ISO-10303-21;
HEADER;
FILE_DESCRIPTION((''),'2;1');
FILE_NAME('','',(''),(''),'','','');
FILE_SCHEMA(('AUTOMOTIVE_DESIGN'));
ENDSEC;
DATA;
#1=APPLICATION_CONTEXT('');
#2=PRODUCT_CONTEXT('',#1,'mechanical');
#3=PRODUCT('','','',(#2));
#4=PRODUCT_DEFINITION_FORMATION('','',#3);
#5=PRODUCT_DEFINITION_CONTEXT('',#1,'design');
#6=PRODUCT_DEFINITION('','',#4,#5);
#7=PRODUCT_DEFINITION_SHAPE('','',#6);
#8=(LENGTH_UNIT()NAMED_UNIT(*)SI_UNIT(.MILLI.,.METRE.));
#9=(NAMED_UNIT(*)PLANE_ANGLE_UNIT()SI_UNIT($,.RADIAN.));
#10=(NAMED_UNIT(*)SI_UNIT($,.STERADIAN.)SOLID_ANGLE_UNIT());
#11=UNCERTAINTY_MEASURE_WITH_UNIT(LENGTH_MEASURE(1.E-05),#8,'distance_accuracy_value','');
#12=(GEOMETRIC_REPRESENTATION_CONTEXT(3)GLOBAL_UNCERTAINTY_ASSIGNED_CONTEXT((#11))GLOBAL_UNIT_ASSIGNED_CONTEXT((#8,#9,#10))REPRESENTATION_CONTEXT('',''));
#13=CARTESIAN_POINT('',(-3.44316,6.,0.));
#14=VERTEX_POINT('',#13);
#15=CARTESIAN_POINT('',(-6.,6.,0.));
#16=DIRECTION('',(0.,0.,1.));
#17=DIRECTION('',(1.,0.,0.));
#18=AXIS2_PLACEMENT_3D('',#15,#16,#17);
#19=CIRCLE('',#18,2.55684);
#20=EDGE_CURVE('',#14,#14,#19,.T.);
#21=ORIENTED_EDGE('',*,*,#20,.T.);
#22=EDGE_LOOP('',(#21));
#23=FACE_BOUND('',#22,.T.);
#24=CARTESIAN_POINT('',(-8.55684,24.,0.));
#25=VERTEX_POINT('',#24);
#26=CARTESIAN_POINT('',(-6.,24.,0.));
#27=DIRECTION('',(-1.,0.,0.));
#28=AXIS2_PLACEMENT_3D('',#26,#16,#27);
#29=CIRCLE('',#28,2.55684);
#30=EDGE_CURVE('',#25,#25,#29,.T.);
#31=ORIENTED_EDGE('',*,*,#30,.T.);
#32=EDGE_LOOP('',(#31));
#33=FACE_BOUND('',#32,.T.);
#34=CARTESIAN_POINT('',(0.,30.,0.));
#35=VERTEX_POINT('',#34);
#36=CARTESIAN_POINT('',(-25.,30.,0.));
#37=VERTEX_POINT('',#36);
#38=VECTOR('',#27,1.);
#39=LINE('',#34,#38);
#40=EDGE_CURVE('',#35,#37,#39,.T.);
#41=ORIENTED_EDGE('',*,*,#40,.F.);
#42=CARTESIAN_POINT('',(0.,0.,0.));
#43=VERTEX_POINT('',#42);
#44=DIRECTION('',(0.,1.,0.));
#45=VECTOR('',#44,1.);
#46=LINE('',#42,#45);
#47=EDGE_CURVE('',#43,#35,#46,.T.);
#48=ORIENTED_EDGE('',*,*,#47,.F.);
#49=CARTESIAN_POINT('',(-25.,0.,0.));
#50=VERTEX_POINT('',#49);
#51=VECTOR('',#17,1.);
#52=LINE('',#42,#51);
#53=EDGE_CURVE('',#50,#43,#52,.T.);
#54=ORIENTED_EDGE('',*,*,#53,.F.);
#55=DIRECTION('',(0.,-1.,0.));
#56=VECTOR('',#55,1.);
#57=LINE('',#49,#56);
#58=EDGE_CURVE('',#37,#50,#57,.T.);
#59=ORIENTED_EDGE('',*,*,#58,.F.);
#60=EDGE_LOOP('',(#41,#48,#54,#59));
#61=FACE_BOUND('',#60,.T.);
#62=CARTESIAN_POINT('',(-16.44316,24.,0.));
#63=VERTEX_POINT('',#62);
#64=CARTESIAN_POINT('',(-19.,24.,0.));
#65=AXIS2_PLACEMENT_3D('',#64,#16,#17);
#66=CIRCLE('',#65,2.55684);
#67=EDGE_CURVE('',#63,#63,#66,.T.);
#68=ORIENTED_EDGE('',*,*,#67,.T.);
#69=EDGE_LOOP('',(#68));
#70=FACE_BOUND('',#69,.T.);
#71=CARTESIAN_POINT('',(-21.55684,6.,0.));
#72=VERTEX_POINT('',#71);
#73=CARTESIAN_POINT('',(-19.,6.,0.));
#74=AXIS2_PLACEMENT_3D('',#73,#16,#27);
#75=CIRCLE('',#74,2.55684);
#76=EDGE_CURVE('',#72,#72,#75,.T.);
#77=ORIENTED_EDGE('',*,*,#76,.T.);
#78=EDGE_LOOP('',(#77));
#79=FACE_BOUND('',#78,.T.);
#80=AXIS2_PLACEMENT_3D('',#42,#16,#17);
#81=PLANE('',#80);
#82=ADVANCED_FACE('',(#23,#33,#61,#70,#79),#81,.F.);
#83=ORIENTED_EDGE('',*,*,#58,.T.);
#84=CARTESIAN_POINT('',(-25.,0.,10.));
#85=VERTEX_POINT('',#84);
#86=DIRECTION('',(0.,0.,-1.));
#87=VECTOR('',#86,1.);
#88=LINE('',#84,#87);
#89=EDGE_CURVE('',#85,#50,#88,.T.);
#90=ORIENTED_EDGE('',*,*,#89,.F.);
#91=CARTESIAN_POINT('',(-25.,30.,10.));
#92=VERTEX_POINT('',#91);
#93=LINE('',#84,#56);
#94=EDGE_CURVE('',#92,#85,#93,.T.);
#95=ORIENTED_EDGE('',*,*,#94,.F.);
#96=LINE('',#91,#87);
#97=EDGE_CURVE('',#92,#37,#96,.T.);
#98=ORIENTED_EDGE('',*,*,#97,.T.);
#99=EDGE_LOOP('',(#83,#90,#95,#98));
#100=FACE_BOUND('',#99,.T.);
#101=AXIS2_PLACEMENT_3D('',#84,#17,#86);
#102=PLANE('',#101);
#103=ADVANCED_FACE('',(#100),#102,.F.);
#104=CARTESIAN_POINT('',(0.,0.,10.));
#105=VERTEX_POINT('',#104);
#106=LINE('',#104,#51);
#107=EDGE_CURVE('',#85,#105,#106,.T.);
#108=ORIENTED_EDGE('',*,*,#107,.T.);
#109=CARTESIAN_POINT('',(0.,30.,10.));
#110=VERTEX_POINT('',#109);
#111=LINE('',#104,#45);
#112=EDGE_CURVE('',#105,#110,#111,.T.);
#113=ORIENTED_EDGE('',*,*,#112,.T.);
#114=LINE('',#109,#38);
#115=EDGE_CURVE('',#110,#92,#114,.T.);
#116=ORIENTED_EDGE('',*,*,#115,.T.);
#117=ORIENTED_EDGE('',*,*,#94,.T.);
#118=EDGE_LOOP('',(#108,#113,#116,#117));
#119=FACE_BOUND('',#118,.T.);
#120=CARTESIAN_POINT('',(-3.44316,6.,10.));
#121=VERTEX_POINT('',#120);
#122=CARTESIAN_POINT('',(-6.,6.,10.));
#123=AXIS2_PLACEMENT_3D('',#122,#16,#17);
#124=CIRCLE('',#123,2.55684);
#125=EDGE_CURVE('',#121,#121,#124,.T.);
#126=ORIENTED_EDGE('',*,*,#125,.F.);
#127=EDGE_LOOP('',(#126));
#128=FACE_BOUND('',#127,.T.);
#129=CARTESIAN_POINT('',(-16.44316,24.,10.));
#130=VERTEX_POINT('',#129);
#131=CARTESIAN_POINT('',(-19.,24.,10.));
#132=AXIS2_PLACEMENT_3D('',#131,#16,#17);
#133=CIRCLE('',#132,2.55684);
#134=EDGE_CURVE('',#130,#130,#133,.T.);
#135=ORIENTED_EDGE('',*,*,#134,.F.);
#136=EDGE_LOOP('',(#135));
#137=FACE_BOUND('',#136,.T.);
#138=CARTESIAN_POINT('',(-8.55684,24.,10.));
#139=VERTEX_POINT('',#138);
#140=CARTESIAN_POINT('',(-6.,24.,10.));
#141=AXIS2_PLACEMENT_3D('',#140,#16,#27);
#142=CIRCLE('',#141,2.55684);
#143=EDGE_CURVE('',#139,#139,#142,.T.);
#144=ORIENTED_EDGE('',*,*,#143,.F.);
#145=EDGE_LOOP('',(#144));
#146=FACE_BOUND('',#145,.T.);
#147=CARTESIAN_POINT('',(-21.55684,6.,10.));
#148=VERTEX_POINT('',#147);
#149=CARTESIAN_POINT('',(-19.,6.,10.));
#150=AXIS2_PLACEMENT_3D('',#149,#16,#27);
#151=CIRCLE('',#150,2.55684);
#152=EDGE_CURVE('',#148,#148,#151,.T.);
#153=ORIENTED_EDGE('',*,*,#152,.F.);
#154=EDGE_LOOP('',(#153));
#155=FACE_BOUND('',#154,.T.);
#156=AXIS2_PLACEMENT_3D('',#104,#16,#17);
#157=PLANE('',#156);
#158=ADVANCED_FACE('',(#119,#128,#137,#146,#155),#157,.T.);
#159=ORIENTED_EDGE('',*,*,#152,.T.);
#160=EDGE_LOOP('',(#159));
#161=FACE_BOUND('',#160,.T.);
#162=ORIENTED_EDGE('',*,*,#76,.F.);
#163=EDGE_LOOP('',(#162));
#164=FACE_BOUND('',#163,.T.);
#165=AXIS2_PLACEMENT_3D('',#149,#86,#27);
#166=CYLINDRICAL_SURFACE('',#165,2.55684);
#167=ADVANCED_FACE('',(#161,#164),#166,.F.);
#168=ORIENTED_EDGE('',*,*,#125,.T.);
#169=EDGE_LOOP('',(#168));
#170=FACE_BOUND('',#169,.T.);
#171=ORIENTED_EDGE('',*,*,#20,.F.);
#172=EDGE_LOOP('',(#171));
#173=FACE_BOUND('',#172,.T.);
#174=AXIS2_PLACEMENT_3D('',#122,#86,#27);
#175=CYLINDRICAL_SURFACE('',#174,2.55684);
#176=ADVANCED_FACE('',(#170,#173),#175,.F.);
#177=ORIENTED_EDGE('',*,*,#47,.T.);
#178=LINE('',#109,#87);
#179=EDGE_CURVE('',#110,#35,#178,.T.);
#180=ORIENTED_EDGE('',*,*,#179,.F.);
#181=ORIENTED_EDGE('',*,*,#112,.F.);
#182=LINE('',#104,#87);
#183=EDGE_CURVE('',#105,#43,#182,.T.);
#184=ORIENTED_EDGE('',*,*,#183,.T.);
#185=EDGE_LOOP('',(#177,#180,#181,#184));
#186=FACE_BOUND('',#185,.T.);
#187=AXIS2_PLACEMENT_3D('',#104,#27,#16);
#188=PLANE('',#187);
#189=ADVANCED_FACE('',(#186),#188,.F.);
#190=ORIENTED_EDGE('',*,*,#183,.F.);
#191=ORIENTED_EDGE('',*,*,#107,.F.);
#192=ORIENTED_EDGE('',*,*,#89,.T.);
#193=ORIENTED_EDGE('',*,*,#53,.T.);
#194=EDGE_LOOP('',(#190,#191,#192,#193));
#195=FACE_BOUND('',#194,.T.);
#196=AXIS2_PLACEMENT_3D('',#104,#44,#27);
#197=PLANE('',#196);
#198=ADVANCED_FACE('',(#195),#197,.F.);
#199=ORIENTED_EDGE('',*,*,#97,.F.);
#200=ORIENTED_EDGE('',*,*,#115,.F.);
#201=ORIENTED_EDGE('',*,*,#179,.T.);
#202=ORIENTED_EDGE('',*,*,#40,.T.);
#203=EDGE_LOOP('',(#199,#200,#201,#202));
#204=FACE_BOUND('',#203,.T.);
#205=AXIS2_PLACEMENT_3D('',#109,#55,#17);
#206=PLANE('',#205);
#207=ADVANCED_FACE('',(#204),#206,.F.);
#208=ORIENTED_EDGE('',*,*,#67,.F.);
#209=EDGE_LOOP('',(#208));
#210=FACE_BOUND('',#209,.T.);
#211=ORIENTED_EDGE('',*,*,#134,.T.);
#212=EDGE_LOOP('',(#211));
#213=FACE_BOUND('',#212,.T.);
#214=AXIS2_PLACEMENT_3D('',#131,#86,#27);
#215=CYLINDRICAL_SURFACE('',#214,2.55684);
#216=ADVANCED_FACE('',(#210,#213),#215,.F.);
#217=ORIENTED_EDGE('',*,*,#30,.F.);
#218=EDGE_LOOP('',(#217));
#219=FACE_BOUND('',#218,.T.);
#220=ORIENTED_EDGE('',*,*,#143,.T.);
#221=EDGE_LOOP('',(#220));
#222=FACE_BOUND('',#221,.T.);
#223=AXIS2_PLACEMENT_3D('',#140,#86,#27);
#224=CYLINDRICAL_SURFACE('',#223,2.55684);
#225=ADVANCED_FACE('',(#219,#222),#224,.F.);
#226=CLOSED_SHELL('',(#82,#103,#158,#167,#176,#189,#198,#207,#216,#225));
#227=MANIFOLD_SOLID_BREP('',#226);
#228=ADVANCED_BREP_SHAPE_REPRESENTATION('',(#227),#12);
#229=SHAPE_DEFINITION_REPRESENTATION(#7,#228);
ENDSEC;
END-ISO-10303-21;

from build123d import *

# Parameters (mm, degrees)
SKETCH1_W           = 25
SKETCH1_H           = 30
SKETCH1_R           = 2.55684
BOSS_EXTRUDE1_DEPTH = 10


with BuildPart() as part:
    # Sketch1 → Boss-Extrude1 (new body)
    with BuildSketch(Plane.XY):
        with Locations((-12.5, 15)):
            Rectangle(SKETCH1_W, SKETCH1_H)
        with Locations((-19, 24)):
            Circle(SKETCH1_R, mode=Mode.SUBTRACT)
        with Locations((-6, 24)):
            Circle(SKETCH1_R, mode=Mode.SUBTRACT)
        with Locations((-6, 6)):
            Circle(SKETCH1_R, mode=Mode.SUBTRACT)
        with Locations((-19, 6)):
            Circle(SKETCH1_R, mode=Mode.SUBTRACT)
    extrude(amount=BOSS_EXTRUDE1_DEPTH)


solid = part.part
